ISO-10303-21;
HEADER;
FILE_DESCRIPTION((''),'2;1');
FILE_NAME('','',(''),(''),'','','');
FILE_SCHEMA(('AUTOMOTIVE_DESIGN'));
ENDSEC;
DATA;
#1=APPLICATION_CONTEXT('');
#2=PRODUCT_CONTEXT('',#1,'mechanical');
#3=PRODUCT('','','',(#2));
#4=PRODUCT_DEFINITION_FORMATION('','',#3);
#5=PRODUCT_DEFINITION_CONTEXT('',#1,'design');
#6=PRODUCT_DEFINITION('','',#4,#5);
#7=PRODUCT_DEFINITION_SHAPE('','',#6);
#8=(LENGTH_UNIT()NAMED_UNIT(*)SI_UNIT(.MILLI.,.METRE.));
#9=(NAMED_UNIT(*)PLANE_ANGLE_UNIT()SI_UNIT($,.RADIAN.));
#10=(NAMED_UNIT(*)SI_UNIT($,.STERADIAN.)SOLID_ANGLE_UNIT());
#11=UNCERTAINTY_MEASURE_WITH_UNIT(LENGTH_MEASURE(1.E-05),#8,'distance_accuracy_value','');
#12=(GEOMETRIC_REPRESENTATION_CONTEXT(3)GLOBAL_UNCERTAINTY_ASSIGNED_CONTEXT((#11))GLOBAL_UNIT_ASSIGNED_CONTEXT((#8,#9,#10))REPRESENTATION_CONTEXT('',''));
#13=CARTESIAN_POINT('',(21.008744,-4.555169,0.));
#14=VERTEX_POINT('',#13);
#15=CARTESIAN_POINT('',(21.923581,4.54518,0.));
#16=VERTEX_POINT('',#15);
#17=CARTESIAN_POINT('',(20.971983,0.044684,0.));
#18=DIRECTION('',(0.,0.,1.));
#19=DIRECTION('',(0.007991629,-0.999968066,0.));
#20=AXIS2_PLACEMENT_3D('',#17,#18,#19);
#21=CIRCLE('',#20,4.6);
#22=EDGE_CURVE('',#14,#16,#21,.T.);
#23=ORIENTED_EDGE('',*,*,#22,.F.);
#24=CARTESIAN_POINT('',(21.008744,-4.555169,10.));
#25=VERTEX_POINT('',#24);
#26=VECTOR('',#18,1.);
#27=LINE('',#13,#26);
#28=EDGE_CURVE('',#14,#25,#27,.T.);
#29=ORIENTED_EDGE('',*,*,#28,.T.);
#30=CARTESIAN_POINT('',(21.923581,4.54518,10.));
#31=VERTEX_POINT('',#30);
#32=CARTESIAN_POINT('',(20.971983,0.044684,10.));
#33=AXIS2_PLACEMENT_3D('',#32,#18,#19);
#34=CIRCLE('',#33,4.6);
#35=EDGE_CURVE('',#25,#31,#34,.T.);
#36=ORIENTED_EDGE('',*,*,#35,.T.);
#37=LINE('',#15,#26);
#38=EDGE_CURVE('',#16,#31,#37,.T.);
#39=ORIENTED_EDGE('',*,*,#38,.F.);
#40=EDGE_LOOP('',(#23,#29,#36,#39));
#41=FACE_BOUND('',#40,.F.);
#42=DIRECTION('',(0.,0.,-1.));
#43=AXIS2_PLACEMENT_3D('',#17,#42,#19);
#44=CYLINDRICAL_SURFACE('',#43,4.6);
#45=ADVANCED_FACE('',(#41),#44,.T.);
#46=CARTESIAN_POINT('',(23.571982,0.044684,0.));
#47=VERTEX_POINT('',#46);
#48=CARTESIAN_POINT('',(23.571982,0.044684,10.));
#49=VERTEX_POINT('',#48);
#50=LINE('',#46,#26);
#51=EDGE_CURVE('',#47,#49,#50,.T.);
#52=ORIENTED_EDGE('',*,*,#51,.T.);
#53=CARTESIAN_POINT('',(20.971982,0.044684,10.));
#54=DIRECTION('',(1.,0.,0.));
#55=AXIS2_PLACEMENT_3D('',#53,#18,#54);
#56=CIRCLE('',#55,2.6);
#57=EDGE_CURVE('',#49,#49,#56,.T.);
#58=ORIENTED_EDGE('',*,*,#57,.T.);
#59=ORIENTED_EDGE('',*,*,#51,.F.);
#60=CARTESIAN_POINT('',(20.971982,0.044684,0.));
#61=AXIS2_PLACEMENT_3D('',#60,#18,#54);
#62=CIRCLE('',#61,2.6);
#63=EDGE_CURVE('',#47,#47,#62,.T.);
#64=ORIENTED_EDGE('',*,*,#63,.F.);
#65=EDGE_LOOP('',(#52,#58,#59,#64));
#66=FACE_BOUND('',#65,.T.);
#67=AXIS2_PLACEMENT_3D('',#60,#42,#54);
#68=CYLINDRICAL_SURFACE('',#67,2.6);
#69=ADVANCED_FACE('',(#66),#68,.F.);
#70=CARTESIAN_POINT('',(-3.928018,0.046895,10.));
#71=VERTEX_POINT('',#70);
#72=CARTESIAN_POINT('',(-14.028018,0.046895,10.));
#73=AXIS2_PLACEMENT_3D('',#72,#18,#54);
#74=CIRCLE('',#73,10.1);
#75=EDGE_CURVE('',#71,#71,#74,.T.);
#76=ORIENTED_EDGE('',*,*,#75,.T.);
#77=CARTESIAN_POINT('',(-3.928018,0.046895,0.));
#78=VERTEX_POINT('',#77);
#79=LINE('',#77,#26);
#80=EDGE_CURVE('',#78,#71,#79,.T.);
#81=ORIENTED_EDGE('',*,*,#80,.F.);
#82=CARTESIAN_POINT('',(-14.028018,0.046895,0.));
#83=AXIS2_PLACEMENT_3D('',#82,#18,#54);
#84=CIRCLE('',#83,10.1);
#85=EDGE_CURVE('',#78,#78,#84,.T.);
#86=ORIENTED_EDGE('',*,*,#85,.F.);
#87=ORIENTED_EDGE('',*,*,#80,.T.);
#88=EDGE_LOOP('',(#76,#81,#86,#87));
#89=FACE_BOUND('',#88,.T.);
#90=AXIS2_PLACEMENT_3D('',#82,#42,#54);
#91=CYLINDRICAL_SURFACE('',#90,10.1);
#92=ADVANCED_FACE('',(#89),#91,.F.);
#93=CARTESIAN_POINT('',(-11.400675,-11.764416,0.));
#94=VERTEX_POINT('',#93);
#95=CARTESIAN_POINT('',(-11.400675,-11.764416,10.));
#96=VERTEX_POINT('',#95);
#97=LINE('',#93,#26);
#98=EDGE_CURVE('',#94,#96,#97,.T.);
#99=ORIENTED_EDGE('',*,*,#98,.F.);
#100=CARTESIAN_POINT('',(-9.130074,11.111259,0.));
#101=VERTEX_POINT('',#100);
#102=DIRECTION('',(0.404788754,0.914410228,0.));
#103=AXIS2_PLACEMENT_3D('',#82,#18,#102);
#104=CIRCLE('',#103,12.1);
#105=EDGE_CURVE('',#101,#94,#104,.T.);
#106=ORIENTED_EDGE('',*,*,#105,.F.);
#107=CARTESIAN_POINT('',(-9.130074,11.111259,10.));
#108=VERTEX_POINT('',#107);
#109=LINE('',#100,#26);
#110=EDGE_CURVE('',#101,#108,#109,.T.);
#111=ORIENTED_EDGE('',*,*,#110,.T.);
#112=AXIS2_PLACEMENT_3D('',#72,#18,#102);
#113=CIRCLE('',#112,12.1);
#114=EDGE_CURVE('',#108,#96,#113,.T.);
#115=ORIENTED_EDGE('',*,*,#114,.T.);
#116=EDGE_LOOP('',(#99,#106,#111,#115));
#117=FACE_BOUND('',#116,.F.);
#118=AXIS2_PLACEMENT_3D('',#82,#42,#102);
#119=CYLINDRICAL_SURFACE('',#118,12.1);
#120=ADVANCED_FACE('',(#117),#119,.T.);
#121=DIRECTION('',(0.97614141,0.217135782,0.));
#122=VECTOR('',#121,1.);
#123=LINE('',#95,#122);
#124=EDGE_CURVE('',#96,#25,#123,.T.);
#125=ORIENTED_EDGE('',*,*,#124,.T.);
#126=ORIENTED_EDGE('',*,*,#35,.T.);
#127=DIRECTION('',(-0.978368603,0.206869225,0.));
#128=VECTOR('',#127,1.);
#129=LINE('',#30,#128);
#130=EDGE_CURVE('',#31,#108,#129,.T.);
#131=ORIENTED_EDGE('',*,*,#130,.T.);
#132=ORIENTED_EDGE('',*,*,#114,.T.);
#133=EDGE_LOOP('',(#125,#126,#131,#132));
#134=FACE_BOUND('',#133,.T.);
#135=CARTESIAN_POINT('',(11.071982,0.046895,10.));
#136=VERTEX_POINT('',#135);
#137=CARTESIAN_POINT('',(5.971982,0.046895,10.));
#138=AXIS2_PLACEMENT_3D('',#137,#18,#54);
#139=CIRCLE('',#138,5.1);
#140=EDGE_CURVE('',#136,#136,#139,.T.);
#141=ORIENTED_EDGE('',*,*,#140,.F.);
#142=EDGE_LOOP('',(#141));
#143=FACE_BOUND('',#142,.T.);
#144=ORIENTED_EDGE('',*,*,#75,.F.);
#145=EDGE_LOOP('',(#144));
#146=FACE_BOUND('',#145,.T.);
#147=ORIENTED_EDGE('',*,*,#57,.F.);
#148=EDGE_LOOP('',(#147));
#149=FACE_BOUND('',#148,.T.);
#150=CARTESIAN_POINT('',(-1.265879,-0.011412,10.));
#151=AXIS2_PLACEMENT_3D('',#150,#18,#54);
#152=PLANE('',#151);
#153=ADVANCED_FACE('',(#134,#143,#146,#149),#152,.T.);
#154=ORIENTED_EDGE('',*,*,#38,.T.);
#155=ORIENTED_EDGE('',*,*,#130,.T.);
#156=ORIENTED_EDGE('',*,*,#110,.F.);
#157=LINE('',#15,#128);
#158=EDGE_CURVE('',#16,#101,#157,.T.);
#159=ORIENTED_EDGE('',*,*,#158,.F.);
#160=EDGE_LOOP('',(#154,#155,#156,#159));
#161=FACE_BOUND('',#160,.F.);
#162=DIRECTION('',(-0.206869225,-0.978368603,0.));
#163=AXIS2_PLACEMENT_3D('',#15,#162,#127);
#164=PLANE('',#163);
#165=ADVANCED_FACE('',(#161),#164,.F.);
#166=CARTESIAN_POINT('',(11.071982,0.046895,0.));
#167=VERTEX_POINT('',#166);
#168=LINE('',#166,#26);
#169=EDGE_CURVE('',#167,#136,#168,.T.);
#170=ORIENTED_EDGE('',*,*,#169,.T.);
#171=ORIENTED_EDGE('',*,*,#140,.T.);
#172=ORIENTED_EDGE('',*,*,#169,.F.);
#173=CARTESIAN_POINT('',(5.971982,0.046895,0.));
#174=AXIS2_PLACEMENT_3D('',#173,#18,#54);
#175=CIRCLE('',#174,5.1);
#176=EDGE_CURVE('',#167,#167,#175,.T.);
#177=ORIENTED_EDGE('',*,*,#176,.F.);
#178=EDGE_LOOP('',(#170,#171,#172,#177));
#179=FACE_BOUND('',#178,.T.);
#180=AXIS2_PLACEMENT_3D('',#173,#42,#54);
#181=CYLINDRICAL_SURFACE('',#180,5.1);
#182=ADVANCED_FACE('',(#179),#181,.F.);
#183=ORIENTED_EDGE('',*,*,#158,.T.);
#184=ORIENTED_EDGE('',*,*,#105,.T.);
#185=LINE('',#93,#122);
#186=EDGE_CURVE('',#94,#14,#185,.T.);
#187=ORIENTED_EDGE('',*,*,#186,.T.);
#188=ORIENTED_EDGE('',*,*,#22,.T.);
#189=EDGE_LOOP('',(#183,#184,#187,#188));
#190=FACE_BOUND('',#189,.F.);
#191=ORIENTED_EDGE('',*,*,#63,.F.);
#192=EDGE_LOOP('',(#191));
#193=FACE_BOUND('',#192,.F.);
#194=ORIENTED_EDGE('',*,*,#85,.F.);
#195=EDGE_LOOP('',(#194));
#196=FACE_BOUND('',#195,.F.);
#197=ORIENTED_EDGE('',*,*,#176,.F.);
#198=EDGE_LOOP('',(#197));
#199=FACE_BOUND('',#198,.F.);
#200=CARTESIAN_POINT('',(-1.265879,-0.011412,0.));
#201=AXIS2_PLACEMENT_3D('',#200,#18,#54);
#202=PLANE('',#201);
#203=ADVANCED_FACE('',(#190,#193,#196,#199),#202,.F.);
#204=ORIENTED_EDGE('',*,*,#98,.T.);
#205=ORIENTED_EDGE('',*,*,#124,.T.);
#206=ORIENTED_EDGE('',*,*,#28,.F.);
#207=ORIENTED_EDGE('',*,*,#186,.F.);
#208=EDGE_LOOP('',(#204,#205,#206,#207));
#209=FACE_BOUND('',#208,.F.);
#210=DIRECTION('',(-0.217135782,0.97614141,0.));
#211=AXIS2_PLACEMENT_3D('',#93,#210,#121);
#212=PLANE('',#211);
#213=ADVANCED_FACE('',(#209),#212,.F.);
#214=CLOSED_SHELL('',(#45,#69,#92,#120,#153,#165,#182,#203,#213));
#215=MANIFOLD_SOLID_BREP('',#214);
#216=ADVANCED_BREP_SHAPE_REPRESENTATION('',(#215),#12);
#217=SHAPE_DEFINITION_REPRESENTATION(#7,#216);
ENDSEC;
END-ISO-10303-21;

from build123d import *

# Parameters (mm, degrees)
F0_R     = 10.1
F0_R_2   = 5.1
F0_R_3   = 2.6
F1_DEPTH = 10


with BuildPart() as f1:
    # F0 (on Top) → F1 (new body)
    with BuildSketch(Plane.XY):
        with BuildLine():
            Line((-11.400675, -11.764416), (21.008744, -4.555169))
            ThreePointArc((21.008744, -4.555169), (25.548914, -0.415424), (21.923581, 4.54518))
            Line((21.923581, 4.54518), (-9.130074, 11.111259))
            ThreePointArc((-9.130074, 11.111259), (-26.068849, 1.242048), (-11.400675, -11.764416))
        make_face()
        with Locations((-14.028018, 0.046895)):
            Circle(F0_R, mode=Mode.SUBTRACT)
        with Locations((5.971982, 0.046895)):
            Circle(F0_R_2, mode=Mode.SUBTRACT)
        with Locations((20.971982, 0.044684)):
            Circle(F0_R_3, mode=Mode.SUBTRACT)
    extrude(amount=F1_DEPTH)


solid = f1.part
